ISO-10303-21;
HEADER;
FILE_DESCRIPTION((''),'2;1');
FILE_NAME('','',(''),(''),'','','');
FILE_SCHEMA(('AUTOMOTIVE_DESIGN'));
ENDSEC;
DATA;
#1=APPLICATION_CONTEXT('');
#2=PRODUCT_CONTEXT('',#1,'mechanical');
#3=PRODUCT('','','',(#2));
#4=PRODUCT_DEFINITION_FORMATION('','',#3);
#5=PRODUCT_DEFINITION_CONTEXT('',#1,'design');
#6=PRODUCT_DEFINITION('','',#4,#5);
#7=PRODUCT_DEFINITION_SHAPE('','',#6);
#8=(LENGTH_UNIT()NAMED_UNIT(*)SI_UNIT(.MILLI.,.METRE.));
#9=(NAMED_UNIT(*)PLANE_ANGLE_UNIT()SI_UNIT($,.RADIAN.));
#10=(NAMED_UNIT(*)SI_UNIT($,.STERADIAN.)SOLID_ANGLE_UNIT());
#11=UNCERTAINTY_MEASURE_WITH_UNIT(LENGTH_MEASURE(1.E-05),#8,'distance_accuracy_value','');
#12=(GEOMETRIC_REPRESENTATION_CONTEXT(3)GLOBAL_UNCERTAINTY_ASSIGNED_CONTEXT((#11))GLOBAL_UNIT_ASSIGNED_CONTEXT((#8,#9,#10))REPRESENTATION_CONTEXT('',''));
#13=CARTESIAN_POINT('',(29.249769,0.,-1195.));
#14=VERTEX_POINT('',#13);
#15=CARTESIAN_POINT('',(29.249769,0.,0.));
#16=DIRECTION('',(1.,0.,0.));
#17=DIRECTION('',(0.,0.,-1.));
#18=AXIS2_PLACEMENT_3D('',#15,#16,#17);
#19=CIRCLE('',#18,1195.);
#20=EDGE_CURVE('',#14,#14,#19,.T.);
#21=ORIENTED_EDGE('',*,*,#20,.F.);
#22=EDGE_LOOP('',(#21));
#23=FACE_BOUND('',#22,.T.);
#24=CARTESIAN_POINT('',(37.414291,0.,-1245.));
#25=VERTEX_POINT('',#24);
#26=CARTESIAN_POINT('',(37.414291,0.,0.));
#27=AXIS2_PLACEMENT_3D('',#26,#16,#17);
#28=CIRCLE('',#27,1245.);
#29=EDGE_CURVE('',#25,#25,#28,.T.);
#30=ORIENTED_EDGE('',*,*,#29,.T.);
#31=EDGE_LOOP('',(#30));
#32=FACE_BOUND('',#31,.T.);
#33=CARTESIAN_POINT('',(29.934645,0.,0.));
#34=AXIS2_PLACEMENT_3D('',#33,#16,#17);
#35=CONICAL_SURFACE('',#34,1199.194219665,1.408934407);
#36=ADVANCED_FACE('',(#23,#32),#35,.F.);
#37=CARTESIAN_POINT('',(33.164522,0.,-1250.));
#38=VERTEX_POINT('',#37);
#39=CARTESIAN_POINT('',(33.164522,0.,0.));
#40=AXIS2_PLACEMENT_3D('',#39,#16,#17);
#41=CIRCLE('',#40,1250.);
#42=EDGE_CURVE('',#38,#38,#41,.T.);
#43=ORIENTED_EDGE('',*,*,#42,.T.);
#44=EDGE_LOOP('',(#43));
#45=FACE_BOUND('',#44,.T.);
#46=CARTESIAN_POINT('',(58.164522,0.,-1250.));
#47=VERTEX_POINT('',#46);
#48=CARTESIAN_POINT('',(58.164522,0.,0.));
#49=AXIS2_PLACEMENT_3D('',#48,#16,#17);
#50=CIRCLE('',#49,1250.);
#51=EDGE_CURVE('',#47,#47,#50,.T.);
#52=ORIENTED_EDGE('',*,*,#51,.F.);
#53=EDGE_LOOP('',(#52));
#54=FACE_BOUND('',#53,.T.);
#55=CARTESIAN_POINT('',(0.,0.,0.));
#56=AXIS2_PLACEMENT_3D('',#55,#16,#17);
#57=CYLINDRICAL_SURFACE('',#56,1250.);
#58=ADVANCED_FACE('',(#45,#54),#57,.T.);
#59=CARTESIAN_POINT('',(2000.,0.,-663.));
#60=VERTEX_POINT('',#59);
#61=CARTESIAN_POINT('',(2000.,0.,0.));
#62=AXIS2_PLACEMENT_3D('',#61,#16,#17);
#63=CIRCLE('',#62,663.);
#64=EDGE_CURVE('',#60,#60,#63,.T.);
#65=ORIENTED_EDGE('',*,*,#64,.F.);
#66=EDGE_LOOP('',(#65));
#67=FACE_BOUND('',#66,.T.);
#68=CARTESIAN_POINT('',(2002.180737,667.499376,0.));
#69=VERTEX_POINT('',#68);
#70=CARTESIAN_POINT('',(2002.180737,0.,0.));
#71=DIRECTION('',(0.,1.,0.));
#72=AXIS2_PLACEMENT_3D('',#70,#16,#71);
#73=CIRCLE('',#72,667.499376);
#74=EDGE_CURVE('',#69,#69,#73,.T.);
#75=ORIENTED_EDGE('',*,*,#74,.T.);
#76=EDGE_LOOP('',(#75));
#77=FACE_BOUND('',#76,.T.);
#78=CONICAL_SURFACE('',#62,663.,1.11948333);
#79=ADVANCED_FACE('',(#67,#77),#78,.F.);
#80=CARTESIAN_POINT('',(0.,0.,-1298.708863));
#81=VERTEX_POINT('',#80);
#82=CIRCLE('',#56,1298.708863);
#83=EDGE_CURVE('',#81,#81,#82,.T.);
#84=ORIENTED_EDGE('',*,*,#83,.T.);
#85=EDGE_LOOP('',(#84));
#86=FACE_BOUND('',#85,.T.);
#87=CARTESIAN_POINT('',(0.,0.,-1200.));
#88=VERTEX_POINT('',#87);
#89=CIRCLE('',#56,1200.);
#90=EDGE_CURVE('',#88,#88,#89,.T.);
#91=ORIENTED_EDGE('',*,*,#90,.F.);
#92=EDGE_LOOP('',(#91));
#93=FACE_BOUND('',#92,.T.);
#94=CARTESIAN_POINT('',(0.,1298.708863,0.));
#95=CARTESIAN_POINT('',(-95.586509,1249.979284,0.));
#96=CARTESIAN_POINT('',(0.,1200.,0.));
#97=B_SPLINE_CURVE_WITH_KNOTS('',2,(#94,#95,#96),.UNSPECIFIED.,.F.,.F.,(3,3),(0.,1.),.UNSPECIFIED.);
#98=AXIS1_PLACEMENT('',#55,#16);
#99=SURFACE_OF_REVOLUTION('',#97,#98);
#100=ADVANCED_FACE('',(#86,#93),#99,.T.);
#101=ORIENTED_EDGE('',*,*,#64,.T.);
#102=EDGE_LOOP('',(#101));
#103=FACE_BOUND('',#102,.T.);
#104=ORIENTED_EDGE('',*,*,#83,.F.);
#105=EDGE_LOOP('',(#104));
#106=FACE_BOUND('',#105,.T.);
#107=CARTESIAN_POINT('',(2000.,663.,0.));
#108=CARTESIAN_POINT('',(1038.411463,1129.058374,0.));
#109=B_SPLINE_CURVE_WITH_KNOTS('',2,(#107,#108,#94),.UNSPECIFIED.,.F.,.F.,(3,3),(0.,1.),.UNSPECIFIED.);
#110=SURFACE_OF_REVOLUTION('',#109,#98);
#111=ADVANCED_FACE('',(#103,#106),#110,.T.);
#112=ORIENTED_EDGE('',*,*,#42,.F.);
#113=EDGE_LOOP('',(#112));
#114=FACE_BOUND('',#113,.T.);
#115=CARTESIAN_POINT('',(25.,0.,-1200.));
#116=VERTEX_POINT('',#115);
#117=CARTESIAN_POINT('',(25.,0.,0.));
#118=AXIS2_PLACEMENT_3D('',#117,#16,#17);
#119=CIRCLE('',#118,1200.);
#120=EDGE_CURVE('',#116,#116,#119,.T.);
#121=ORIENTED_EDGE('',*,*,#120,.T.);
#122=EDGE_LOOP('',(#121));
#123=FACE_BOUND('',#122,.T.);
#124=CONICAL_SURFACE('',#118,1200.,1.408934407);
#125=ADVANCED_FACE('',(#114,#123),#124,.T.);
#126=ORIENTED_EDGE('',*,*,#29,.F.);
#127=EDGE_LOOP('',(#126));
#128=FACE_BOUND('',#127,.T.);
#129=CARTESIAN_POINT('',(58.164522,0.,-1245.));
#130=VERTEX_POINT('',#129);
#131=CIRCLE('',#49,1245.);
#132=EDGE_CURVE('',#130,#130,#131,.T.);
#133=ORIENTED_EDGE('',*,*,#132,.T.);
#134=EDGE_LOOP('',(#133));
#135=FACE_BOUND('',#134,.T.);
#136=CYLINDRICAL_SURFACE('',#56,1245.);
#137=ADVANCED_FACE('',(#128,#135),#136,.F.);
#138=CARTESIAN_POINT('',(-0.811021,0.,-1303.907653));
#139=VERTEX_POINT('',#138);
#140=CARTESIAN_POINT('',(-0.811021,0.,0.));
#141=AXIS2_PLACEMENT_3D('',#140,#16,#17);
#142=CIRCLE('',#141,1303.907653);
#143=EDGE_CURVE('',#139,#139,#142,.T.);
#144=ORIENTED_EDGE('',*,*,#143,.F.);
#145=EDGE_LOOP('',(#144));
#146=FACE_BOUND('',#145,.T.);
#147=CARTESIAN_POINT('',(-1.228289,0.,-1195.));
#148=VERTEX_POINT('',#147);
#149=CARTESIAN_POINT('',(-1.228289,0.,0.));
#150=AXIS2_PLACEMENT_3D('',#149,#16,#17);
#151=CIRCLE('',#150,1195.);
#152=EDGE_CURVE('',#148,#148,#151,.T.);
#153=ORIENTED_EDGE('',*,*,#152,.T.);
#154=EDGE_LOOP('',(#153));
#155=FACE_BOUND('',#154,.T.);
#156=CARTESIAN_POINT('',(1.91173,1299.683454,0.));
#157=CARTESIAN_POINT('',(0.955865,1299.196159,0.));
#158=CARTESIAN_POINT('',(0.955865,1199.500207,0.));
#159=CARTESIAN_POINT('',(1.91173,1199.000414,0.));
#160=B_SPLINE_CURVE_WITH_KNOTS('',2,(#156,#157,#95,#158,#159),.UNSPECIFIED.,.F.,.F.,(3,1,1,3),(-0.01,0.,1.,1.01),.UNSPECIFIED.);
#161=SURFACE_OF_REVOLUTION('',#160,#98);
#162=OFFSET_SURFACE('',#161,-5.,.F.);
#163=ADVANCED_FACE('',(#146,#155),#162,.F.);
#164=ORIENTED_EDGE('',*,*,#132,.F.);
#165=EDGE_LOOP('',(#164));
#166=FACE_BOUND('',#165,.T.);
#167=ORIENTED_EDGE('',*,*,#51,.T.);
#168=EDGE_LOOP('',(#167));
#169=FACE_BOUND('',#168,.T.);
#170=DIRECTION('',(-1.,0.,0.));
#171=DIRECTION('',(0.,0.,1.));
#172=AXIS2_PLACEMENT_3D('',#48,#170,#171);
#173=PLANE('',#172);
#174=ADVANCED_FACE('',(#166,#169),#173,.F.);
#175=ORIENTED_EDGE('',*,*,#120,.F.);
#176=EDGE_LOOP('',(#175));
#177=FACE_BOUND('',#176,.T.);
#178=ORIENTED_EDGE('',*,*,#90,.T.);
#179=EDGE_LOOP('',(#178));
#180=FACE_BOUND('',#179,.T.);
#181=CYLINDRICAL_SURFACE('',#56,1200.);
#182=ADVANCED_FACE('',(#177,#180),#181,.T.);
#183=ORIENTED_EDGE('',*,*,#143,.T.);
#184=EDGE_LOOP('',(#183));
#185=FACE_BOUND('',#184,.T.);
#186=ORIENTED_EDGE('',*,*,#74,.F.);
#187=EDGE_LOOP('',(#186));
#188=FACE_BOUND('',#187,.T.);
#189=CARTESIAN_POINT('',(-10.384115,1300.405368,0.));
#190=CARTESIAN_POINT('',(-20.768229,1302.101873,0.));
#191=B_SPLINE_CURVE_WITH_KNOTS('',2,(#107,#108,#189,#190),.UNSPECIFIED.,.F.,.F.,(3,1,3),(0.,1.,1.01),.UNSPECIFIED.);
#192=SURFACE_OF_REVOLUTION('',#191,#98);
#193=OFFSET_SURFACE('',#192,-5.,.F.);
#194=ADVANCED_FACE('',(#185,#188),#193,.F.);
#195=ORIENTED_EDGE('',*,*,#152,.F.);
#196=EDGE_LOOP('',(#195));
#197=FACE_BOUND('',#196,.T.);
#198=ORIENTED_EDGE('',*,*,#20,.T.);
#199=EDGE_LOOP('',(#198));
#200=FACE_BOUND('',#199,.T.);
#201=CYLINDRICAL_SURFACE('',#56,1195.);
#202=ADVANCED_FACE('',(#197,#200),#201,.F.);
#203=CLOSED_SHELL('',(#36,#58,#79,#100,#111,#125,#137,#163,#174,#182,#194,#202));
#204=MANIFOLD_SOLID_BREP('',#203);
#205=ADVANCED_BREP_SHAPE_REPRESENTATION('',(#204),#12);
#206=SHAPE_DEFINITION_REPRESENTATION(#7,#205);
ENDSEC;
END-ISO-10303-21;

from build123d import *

# Parameters (mm, degrees)
THICKEN1_T1 = 5


with BuildPart() as body_1:
    # Surface-Revolve1: a surface, the sketch's curves turned about an axis
    with BuildLine(Plane.XY, mode=Mode.PRIVATE) as surface_revolve1_1_path:
        Line((58.164522356, 1250), (33.164522356, 1250))
        Line((33.164522356, 1250), (25, 1200))
        Line((25, 1200), (0, 1200))
        add(Edge.make_bspline(
            [(0, 1200), (-95.586509213, 1249.979284162), (0, 1298.708862894)],
            knots=[0, 0, 0, 1, 1, 1], degree=2))
        add(Edge.make_bspline(
            [(0, 1298.708862894), (1038.411463124, 1129.058374243), (2000, 663)],
            knots=[0, 0, 0, 1, 1, 1], degree=2))
    surface_revolve1_1 = Shell.revolve(surface_revolve1_1_path.wire(), 360, Axis((0, 0, 0), (1, 0, 0)))
    add(Solid.thicken(surface_revolve1_1, THICKEN1_T1))


solid = body_1.part
